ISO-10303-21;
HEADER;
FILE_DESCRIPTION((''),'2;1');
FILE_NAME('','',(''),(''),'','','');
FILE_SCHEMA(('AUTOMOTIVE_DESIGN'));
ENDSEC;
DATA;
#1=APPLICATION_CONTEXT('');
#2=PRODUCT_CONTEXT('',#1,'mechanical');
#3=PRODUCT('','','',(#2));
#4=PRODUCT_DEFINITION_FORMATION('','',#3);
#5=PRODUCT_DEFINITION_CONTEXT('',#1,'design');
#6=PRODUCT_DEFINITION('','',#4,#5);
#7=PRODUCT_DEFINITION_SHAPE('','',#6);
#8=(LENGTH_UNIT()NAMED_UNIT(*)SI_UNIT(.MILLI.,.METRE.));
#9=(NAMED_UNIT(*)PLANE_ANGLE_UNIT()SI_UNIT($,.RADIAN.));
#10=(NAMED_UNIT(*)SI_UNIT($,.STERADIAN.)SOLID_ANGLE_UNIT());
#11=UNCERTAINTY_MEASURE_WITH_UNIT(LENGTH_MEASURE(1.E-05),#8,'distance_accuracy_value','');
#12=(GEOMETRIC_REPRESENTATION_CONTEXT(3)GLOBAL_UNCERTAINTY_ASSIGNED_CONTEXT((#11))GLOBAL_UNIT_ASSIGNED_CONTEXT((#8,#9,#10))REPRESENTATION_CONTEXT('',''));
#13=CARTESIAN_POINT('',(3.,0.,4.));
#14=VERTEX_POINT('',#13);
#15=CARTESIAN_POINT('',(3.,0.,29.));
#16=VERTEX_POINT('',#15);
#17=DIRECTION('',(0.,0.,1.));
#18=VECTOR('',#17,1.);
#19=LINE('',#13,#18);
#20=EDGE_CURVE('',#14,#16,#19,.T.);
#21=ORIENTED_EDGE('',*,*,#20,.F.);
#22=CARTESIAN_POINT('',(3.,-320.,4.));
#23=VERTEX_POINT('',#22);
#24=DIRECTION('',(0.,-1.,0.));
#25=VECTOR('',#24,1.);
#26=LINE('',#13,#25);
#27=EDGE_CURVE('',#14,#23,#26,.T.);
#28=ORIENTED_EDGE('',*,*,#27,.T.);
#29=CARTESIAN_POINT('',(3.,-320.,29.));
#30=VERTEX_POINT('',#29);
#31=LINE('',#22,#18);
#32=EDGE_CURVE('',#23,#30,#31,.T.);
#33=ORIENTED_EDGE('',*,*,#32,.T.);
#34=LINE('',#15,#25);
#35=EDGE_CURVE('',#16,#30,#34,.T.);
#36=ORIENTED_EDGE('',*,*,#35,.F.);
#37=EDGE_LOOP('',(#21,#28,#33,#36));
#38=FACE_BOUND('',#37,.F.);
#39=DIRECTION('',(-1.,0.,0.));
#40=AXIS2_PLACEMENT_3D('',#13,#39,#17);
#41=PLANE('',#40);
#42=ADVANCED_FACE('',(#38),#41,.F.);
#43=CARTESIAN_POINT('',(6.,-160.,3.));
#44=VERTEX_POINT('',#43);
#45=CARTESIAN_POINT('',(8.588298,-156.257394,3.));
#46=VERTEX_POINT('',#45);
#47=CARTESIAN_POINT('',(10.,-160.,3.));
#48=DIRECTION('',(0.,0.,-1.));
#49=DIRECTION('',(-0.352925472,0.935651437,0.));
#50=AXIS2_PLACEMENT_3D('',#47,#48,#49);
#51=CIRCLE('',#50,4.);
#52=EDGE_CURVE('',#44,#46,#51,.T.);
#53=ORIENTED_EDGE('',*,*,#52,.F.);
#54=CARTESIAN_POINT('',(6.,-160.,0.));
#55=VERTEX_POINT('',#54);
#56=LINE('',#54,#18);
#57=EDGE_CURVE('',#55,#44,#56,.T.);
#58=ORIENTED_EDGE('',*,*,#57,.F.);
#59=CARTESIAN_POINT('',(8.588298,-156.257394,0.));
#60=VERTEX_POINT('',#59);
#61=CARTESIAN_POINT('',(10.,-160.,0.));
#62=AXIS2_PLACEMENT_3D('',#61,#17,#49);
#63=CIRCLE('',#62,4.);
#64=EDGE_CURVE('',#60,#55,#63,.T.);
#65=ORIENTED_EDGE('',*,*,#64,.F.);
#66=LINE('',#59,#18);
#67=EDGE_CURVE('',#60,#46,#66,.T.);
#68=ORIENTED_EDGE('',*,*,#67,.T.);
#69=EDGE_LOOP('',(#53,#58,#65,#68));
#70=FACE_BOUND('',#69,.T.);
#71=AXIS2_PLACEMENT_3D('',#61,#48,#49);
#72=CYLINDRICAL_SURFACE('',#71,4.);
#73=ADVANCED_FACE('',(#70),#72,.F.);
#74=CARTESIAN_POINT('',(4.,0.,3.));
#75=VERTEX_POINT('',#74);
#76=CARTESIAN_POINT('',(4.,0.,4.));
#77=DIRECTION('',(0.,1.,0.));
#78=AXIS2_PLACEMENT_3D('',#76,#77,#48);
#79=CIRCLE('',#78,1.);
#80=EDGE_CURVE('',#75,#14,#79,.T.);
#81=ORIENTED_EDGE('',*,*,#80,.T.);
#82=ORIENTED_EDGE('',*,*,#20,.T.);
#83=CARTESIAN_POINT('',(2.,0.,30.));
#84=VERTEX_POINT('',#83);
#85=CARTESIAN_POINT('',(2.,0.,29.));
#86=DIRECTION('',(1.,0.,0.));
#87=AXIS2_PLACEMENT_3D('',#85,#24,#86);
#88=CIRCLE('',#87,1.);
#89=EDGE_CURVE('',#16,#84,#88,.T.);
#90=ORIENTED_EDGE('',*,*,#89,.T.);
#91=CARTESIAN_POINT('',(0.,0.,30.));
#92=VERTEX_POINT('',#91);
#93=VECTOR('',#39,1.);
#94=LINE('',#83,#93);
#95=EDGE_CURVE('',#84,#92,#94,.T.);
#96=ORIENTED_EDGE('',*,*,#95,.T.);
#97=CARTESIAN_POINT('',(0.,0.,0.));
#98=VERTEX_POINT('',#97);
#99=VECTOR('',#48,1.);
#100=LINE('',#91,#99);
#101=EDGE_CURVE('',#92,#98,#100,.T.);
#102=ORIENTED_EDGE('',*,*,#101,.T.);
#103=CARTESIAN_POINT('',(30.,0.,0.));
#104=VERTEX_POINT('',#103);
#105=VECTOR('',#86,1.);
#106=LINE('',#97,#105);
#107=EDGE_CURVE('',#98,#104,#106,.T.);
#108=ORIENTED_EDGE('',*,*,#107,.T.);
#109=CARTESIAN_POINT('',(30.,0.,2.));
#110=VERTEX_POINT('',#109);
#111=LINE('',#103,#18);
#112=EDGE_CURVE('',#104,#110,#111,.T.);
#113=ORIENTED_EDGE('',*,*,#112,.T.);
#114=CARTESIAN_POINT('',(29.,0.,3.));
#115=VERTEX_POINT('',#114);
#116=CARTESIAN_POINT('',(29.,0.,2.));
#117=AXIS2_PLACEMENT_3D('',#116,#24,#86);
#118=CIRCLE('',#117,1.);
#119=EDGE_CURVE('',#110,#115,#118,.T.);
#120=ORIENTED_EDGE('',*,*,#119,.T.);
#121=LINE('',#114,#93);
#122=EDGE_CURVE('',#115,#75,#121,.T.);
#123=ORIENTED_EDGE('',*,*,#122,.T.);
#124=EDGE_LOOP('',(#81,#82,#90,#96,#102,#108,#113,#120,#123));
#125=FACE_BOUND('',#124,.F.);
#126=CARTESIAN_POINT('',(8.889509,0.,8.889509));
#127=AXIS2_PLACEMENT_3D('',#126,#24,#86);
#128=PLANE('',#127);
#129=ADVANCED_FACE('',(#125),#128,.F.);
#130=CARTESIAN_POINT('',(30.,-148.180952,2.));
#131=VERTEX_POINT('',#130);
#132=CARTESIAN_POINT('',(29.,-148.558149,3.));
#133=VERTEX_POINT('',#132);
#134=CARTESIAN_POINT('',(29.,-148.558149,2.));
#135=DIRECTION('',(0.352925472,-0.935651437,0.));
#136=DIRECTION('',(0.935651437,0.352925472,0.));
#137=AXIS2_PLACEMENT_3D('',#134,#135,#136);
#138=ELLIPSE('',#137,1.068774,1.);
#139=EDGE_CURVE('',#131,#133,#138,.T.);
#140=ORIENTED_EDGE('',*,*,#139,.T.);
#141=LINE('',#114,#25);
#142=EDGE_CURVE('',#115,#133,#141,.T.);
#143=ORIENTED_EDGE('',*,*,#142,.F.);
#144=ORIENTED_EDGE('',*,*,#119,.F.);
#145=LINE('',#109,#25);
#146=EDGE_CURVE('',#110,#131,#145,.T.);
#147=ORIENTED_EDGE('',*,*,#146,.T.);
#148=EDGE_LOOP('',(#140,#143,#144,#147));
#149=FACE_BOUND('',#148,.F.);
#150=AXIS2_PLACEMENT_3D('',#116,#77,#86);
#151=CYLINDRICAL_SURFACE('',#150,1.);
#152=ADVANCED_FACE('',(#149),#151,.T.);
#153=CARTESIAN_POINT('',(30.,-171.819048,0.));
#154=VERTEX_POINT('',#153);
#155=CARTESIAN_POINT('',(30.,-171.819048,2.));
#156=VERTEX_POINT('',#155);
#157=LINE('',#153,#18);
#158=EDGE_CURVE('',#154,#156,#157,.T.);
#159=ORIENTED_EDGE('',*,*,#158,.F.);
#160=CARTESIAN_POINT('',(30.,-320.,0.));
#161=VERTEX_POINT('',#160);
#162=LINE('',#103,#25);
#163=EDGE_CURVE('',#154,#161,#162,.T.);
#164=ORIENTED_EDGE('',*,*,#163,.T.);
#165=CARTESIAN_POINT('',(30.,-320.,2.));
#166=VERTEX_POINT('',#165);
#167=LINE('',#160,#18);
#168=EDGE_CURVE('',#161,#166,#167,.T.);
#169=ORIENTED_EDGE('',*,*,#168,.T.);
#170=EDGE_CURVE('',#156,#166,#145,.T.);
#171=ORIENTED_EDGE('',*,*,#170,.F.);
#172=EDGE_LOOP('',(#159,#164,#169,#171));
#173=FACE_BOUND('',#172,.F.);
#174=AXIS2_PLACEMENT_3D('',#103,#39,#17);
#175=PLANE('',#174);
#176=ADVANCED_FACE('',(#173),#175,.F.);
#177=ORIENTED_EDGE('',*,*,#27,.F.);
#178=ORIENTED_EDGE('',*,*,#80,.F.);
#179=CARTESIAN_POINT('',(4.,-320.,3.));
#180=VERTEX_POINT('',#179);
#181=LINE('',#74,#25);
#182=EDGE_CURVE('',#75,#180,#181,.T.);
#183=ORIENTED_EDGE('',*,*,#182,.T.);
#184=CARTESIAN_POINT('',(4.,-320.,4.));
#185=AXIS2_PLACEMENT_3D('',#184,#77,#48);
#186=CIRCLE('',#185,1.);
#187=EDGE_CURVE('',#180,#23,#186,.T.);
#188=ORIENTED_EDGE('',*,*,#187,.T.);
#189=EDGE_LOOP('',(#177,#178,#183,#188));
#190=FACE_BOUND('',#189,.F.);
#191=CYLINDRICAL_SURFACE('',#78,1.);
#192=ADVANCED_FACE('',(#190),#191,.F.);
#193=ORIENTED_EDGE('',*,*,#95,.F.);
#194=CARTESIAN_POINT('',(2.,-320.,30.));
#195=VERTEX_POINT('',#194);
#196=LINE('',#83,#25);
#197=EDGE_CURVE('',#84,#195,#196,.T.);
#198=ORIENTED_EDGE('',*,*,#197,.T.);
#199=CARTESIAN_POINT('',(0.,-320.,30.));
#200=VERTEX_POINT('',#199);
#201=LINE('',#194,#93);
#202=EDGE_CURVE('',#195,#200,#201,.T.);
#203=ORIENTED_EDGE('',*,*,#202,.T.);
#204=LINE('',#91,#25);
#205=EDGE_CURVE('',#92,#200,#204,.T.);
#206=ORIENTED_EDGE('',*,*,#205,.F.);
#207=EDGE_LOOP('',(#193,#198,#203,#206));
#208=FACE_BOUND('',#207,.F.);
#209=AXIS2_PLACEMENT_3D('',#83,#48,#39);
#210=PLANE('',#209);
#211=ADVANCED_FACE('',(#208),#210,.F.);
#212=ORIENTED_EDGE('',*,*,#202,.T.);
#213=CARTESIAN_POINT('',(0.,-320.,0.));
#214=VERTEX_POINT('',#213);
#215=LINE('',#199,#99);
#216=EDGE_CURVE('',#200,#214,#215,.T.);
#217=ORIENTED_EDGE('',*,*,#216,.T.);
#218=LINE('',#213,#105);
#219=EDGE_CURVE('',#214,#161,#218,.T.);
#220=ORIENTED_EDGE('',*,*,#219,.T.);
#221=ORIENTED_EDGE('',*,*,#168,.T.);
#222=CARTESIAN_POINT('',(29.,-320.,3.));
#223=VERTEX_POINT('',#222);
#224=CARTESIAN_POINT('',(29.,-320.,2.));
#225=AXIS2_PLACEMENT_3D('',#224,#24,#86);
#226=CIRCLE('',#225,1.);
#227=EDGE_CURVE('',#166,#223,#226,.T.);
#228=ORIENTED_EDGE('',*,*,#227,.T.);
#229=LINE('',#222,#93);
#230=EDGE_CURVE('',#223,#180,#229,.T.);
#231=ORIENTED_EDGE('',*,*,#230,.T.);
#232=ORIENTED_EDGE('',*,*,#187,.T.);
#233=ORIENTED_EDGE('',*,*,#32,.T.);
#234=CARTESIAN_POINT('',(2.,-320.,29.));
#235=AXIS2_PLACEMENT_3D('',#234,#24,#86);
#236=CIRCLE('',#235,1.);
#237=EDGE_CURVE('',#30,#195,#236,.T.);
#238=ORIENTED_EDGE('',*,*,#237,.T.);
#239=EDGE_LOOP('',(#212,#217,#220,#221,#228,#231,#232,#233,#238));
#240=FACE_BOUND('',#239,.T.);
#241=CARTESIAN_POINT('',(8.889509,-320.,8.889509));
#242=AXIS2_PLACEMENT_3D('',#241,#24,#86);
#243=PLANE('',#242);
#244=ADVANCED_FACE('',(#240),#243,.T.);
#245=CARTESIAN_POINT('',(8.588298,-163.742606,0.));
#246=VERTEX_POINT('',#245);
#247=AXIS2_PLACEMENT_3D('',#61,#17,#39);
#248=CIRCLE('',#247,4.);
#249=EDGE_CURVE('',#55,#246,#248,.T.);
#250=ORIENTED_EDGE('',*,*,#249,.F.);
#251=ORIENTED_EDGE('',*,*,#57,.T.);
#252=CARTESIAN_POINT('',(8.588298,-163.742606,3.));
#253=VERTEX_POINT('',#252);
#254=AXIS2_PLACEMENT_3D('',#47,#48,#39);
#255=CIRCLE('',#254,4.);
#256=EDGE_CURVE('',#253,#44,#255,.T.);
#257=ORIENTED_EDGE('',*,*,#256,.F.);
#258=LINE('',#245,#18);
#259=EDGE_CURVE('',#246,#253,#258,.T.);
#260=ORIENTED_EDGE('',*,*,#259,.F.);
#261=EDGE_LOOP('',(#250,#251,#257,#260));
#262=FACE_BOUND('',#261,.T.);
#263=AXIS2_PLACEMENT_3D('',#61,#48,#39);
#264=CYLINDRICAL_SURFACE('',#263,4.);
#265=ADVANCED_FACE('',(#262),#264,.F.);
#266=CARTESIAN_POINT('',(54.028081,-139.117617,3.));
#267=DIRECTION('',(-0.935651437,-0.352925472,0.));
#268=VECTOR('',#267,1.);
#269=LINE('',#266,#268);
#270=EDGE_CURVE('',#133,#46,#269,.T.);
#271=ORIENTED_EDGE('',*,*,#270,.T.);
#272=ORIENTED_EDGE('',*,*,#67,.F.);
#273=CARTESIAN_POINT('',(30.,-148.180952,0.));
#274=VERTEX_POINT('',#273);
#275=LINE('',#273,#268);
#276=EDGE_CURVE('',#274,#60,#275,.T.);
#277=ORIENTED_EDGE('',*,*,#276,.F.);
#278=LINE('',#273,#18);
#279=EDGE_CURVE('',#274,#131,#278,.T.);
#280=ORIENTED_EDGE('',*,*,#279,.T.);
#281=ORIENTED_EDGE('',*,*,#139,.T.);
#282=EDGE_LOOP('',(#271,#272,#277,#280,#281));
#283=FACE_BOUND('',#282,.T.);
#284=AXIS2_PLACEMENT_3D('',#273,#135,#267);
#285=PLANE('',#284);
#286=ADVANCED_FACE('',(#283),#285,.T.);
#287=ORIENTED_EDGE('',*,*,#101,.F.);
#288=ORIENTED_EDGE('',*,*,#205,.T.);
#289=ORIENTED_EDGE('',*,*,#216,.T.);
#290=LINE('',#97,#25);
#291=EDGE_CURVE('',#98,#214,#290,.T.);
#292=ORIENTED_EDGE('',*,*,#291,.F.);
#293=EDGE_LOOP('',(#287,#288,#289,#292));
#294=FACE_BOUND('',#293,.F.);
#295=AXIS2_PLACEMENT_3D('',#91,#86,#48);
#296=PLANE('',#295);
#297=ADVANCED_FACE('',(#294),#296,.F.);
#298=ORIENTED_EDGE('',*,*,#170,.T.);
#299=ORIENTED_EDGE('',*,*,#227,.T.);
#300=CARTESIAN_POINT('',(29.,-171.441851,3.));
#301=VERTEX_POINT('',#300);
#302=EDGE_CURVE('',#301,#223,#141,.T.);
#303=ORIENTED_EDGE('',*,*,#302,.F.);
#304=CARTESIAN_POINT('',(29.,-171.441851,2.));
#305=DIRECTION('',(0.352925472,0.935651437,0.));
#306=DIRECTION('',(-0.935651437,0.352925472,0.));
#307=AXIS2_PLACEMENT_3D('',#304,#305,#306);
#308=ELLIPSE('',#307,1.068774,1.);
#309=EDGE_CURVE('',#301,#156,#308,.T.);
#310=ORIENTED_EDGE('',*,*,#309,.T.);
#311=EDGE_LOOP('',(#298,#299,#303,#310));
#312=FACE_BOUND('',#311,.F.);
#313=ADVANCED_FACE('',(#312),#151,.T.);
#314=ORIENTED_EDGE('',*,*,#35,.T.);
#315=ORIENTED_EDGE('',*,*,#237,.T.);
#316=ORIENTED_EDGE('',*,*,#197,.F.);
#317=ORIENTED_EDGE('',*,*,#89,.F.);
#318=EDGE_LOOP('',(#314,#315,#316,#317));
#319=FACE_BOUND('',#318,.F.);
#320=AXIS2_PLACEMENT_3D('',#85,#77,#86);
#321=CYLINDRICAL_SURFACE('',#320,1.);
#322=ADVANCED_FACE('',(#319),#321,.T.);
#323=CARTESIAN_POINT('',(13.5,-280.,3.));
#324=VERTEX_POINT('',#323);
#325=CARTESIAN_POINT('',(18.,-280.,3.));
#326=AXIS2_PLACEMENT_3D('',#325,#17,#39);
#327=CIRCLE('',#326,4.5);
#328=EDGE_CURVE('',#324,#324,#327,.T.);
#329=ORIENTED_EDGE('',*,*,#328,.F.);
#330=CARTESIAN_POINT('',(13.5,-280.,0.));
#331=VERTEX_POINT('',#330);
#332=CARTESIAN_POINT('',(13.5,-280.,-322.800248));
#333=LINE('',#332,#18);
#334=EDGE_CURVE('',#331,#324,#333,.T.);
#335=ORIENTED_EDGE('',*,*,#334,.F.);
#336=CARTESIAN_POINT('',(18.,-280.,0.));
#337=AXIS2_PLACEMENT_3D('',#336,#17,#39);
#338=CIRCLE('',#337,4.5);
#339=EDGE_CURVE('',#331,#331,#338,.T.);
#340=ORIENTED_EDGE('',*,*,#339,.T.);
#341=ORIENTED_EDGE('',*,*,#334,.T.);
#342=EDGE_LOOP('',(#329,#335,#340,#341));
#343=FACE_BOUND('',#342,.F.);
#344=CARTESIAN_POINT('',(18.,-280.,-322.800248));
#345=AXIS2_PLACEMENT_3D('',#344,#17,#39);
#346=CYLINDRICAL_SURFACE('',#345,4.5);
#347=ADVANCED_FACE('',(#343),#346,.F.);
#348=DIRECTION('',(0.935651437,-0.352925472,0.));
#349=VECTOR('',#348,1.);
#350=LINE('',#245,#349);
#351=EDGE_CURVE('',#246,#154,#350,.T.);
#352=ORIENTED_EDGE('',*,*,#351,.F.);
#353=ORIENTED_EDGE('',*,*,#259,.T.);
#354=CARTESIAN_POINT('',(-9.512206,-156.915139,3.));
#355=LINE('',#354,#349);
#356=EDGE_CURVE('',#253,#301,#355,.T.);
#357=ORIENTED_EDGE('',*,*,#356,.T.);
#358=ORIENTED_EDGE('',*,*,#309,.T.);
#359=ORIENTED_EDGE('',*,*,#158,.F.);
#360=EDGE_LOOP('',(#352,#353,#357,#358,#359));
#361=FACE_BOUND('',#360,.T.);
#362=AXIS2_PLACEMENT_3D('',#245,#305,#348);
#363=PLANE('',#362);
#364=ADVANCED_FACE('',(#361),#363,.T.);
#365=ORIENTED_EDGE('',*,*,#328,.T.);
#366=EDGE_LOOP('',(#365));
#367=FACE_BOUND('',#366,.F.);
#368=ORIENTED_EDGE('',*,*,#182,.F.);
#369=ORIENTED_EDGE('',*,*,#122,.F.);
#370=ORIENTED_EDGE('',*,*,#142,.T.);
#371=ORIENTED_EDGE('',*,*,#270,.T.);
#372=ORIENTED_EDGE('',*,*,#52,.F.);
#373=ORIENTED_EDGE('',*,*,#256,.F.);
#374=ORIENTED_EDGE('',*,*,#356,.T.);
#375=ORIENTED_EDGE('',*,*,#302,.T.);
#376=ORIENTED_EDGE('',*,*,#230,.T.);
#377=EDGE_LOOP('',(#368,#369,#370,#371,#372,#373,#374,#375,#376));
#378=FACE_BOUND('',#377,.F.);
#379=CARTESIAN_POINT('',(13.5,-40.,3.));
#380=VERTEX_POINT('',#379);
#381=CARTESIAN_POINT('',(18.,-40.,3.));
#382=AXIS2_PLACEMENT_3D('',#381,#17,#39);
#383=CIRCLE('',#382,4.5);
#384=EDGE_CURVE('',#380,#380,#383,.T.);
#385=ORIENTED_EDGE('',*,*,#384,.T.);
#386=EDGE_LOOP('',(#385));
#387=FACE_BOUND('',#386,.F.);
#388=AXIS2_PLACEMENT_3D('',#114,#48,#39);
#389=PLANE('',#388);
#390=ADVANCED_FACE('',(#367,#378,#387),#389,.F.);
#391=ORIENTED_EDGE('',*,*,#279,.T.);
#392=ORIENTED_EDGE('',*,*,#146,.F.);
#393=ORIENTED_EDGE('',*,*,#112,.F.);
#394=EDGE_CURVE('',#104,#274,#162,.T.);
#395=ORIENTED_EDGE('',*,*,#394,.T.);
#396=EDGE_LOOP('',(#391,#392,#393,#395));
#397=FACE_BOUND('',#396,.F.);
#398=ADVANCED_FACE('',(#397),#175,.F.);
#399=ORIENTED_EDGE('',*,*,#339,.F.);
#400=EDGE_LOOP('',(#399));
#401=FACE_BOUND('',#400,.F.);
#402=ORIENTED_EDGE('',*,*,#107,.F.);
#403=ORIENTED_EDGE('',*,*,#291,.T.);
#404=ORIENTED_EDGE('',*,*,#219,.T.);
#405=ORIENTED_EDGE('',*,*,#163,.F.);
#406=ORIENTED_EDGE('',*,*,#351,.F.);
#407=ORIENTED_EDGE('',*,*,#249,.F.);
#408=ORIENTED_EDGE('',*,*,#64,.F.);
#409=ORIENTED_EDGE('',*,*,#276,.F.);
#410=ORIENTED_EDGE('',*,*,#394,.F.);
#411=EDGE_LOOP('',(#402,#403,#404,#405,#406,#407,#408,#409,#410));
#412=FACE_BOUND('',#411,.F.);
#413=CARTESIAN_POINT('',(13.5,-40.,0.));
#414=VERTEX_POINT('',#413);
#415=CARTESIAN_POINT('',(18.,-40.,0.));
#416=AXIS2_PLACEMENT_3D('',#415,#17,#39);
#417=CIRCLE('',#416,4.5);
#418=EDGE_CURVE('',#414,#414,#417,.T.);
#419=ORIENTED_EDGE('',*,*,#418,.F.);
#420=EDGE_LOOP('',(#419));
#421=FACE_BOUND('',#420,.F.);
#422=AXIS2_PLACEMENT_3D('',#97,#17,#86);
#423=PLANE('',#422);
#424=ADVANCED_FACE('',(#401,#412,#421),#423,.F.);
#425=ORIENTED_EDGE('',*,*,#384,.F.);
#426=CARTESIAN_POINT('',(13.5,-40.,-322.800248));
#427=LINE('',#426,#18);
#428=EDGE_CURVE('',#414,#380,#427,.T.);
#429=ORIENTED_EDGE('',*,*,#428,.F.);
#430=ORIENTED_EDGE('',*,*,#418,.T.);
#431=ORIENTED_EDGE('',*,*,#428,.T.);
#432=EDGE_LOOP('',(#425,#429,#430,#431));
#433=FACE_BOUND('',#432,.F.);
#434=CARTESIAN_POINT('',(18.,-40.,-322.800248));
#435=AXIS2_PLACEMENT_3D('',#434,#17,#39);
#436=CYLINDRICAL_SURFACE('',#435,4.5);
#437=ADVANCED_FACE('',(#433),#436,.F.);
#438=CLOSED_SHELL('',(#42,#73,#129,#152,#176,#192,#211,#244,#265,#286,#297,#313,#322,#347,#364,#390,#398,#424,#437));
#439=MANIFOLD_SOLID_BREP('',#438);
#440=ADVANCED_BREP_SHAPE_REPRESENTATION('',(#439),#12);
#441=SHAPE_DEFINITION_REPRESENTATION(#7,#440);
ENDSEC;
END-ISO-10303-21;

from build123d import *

# Parameters (mm, degrees)
F1_DEPTH = 320
F3_DEPTH = 30
F4_D     = 9


with BuildPart() as f1:
    # F0 (on Front) → F1 (new body)
    with BuildSketch(Plane.XZ):
        with BuildLine():
            Line((0, 30), (0, 0))
            Line((0, 0), (30, 0))
            Line((30, 0), (30, 2))
            ThreePointArc((30, 2), (29.7071067812, 2.7071067812), (29, 3))
            Line((29, 3), (4, 3))
            ThreePointArc((4, 3), (3.2928932188, 3.2928932188), (3, 4))
            Line((3, 4), (3, 29))
            ThreePointArc((3, 29), (2.7071067812, 29.7071067812), (2, 30))
            Line((2, 30), (0, 30))
        make_face()
    extrude(amount=F1_DEPTH)

    # F2 (on Top) → F3 (cut, through all)
    with BuildSketch(Plane.XY):
        with BuildLine():
            Line((30, -148.180951785), (8.5882981113, -156.257394253))
            ThreePointArc((8.5882981113, -156.257394253), (6.7101058106, -157.7247865545), (6, -160))
            ThreePointArc((6, -160), (6.7101058106, -162.2752134455), (8.5882981113, -163.742605747))
            Line((8.5882981113, -163.742605747), (30, -171.819048215))
            Line((30, -171.819048215), (30, -160))
            Line((30, -160), (30, -148.180951785))
        make_face()
    extrude(amount=F3_DEPTH, mode=Mode.SUBTRACT)

    # F4 (through all)
    with Locations(Plane(origin=(0, 0, 0), x_dir=(1, 0, 0), z_dir=(0, 0, -1))):
        with Locations((18, 40), (18, 280)):
            Hole(F4_D / 2)


solid = f1.part
